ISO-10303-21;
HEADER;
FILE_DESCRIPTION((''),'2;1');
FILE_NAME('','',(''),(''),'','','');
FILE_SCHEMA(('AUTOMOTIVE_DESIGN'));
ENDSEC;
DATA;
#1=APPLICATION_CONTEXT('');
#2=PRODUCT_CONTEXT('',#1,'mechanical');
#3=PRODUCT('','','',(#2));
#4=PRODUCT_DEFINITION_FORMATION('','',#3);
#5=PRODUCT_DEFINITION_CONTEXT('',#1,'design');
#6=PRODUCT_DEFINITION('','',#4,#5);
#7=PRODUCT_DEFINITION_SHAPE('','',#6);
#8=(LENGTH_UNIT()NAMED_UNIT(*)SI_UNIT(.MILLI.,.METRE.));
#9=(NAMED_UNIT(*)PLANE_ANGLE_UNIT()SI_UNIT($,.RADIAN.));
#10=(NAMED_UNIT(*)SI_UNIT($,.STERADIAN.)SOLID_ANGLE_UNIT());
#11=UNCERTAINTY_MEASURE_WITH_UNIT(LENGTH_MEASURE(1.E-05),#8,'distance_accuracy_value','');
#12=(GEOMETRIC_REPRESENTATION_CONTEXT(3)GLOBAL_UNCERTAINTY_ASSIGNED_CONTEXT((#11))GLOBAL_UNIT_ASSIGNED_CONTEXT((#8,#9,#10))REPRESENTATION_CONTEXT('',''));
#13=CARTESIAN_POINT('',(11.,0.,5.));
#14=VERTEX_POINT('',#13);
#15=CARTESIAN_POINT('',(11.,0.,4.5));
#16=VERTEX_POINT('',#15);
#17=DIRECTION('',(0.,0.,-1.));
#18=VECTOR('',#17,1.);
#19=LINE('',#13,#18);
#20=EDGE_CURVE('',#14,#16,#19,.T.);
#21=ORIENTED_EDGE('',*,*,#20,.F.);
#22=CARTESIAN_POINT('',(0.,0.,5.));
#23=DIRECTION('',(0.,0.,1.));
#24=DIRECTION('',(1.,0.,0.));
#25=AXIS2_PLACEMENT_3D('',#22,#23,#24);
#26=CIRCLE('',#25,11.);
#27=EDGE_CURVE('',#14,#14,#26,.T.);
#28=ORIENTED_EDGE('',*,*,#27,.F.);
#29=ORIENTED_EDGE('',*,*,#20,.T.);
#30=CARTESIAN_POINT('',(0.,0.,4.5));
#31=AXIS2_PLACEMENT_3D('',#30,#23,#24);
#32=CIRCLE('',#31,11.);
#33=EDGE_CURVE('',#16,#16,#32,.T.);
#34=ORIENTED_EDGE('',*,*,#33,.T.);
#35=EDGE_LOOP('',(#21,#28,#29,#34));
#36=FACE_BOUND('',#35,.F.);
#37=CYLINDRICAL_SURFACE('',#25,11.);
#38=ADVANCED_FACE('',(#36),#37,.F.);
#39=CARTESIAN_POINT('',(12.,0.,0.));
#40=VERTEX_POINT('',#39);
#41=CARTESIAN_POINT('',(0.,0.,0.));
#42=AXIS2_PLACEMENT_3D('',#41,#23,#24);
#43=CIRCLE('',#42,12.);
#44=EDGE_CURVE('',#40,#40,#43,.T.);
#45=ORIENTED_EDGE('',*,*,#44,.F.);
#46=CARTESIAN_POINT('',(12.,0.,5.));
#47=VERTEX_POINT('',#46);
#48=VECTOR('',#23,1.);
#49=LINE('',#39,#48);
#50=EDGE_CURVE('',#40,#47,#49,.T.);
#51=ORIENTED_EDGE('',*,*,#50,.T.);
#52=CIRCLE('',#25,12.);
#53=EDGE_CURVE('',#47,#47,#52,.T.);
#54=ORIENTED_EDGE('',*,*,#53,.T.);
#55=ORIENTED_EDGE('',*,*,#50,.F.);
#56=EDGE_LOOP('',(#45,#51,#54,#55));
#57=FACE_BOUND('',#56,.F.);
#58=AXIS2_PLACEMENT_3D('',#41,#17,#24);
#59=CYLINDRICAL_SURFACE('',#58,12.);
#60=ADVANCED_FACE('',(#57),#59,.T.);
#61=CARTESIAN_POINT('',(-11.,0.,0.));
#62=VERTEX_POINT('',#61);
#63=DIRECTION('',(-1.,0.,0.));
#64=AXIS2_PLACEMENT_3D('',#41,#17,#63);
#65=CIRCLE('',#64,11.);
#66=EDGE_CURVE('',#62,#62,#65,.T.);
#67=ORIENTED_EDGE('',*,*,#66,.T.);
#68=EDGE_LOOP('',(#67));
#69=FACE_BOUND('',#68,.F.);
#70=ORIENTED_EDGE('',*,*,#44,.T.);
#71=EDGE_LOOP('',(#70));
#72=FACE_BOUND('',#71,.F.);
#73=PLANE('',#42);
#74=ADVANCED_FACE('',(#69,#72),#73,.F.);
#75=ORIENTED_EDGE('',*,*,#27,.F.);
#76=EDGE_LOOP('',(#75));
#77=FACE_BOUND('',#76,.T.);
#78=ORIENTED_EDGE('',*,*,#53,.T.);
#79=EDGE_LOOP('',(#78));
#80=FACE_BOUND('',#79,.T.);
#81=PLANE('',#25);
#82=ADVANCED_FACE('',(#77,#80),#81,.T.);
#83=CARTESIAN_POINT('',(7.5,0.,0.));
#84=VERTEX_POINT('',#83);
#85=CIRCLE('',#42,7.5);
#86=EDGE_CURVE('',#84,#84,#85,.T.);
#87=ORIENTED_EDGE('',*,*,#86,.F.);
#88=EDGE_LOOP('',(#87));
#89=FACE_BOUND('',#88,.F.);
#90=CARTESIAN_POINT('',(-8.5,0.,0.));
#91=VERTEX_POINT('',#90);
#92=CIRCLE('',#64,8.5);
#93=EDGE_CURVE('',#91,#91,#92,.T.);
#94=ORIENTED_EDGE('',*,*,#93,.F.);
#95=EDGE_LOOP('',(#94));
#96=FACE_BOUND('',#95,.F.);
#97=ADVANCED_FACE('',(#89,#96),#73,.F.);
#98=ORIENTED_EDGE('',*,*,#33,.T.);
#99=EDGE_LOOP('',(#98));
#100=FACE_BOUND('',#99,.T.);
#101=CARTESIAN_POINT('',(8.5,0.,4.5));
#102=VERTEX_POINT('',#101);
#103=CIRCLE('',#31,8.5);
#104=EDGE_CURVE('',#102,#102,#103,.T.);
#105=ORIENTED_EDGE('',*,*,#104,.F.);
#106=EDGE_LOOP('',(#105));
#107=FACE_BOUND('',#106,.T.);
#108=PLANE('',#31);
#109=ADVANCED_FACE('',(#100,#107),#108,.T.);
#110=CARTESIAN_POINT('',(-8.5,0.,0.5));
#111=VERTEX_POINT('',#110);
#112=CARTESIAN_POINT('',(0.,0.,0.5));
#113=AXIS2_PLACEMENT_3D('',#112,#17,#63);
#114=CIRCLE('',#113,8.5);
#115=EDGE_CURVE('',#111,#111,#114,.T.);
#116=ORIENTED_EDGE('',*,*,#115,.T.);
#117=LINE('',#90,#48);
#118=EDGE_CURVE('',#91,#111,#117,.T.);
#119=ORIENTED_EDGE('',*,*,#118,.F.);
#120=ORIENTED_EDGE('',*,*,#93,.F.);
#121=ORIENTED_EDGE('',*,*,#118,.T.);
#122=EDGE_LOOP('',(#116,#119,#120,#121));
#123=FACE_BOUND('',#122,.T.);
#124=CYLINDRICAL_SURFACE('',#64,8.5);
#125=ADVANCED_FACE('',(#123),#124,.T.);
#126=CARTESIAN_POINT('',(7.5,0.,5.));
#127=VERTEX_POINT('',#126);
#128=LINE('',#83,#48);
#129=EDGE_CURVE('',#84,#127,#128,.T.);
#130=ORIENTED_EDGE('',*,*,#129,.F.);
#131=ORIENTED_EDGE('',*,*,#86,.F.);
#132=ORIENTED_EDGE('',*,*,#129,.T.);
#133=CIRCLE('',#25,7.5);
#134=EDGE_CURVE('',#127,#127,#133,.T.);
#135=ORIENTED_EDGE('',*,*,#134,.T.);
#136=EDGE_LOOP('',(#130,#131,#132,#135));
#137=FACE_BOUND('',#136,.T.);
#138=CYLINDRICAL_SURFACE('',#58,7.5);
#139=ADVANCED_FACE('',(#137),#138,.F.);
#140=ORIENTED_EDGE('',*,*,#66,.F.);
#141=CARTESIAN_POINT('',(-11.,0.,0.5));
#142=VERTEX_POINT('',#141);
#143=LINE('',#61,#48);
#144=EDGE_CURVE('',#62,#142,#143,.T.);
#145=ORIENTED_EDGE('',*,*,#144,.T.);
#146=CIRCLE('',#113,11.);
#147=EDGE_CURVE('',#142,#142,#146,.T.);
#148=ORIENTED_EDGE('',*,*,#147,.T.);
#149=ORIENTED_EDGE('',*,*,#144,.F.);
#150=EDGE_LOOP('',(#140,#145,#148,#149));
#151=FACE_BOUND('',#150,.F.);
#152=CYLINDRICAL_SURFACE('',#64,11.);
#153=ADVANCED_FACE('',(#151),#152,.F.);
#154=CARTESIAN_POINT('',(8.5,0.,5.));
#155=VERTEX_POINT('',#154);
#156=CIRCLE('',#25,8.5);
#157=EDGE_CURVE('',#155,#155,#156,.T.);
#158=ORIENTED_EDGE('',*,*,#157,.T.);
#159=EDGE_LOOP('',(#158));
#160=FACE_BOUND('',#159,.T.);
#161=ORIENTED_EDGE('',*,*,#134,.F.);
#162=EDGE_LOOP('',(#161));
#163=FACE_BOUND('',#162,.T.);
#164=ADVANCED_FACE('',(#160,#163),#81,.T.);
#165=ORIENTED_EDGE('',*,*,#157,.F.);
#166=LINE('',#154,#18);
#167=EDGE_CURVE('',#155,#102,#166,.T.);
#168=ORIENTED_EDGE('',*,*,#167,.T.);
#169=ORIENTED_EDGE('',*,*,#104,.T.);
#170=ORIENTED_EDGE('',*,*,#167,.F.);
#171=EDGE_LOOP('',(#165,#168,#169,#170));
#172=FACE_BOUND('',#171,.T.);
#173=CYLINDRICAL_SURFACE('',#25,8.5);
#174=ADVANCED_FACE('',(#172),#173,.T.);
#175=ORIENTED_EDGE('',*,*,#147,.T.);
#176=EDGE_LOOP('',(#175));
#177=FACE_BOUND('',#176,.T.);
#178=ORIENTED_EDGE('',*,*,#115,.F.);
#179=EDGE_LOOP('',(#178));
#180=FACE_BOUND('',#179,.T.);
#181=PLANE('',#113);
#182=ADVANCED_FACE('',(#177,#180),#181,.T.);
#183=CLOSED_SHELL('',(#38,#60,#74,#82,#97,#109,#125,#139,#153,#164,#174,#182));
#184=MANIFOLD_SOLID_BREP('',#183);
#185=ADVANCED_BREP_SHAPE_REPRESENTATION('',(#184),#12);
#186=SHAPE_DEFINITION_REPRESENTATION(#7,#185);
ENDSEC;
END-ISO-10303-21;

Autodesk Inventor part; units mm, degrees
ref_plane "YZ Plane" through (0, 0, 0) normal (1, 0, 0) x (0, 1, 0)
ref_plane "XZ Plane" through (0, 0, 0) normal (0, 1, 0) x (-1, 0, 0)
ref_plane "XY Plane" through (0, 0, 0) normal (0, 0, 1) x (1, 0, 0)
sketch "スケッチ1" plane through (0, 0, 0) normal (0, 0, 1) x (1, 0, 0)
  circle A0 centre (0, 0) radius 7.5
  circle A1 centre (0, 0) radius 12
  dimension "d0" = 15
  dimension "d1" = 24
extrude "押し出し1" add sketch "スケッチ1" along normal blind 5
sketch "スケッチ2" plane through (0, 0, 5) normal (0, 0, 1) x (1, 0, 0)
  circle A0 centre (0, 0) radius 7.5 projected
  circle A1 centre (0, 0) radius 12 projected
  circle A2 centre (0, 0) radius 8.5
  circle A3 centre (0, 0) radius 11
  dimension "d4" = 1
  dimension "d5" = 1
extrude "押し出し2" cut sketch "スケッチ2" against normal blind 0.5 contours A3
sketch "スケッチ3" plane through (0, 0, 0) normal (0, 0, -1) x (-1, 0, 0)
  circle A0 centre (0, 0) radius 11 projected
  circle A1 centre (0, 0) radius 8.5 projected
extrude "押し出し3" cut sketch "スケッチ3" against normal blind 0.5
properties part number "ベアリングd15-D24-B5" material "鋼、炭素鋼"
